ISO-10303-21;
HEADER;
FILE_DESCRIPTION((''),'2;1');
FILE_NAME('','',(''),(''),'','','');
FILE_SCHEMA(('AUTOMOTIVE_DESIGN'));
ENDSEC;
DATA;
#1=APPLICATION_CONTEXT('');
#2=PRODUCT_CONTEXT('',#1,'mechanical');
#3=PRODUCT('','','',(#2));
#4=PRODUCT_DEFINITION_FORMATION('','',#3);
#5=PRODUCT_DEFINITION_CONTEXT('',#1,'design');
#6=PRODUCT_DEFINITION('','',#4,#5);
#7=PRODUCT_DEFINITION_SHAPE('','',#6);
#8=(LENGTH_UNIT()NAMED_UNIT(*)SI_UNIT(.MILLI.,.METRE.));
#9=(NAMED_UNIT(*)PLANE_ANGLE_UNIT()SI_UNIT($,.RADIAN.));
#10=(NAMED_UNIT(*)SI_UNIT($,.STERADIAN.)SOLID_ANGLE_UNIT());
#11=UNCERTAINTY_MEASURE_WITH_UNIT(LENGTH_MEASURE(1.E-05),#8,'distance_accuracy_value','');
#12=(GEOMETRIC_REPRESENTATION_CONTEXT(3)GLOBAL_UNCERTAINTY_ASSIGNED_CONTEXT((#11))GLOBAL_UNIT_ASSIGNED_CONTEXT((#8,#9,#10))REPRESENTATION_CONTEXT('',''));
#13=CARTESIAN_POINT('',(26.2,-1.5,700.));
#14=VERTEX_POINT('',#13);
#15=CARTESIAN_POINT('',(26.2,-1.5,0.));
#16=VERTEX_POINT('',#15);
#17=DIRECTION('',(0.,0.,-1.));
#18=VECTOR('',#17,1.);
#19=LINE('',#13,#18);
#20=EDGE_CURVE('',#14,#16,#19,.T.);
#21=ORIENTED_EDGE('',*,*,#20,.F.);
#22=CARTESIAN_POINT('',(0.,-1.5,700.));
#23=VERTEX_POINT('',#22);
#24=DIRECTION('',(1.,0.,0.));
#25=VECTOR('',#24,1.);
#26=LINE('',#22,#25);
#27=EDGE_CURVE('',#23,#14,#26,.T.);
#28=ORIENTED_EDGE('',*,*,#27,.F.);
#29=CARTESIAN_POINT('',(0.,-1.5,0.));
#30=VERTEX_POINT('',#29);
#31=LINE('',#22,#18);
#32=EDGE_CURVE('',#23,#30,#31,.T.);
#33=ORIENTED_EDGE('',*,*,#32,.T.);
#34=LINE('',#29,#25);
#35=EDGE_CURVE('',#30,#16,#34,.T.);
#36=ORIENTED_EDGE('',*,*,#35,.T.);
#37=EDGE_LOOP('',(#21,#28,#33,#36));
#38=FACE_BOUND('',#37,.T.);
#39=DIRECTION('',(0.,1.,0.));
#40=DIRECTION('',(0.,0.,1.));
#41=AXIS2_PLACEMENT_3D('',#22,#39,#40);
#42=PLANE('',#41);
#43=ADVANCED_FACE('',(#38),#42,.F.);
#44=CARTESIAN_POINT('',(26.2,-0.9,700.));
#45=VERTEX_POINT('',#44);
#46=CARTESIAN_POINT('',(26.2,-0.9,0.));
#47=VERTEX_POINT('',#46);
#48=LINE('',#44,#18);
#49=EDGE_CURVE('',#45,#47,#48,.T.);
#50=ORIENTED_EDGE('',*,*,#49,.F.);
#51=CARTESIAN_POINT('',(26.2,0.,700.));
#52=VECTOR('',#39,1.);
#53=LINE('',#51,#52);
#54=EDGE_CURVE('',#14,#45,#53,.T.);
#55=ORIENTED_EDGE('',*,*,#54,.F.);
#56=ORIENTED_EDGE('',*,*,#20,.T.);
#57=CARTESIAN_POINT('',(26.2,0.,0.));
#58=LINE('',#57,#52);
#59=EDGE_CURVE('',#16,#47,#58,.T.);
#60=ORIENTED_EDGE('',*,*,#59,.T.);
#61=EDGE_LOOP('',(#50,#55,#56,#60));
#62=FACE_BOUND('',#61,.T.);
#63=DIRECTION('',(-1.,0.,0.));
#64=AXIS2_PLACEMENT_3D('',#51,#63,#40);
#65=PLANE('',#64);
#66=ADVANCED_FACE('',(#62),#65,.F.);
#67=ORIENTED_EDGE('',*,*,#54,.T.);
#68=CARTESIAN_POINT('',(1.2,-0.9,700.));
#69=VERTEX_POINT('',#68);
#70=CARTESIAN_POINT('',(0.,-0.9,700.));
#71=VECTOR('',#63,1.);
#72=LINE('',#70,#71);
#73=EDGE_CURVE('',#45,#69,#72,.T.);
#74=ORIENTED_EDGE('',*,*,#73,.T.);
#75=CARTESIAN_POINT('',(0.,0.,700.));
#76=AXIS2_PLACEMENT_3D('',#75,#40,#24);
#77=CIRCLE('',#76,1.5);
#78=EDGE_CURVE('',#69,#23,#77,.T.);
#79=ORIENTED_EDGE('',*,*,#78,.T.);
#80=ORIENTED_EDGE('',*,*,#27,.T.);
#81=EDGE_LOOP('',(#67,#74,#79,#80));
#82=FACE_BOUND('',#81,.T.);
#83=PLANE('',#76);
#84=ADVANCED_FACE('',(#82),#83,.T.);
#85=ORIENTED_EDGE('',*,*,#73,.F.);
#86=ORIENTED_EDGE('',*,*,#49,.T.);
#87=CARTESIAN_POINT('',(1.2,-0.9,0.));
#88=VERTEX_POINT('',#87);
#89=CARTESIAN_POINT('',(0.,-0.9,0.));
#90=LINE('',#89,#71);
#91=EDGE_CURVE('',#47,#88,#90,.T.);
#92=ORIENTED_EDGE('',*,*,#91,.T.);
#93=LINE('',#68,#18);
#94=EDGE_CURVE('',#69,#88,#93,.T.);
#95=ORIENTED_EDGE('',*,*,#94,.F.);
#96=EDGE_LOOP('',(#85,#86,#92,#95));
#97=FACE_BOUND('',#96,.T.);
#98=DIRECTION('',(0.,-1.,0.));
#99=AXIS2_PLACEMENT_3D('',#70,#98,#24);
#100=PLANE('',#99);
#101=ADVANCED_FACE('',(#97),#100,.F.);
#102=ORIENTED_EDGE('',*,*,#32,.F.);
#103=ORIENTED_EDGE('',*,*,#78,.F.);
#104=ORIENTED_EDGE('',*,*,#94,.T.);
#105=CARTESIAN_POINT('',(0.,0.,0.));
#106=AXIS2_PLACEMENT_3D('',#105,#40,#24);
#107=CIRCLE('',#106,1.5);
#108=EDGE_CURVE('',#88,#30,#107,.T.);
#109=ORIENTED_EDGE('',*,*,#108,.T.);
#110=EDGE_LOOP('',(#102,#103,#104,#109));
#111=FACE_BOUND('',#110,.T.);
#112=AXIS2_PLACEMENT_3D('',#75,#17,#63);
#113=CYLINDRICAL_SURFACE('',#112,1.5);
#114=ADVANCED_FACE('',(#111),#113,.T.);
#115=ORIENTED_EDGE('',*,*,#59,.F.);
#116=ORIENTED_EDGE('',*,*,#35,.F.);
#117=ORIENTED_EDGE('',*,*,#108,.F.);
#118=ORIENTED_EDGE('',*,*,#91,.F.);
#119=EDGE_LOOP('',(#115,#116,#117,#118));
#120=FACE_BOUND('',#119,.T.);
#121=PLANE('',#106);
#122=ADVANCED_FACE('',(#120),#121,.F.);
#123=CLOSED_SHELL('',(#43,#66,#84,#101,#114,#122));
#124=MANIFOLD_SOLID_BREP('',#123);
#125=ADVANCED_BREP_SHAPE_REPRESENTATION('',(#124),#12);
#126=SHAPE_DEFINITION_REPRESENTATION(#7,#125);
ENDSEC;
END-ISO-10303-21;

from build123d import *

# Parameters (mm, degrees)
BOSS_EXTRUDE1_DEPTH = 700


with BuildPart() as part:
    # Sketch1 → Boss-Extrude1 (new body)
    with BuildSketch(Plane.XY):
        with BuildLine():
            Line((26.2, -0.9), (1.2, -0.9))
            ThreePointArc((1.2, -0.9), (-0.670820393, 1.341640786), (0, -1.5))
            Line((0, -1.5), (26.2, -1.5))
            Line((26.2, -1.5), (26.2, -0.9))
        make_face()
    extrude(amount=BOSS_EXTRUDE1_DEPTH)


solid = part.part
